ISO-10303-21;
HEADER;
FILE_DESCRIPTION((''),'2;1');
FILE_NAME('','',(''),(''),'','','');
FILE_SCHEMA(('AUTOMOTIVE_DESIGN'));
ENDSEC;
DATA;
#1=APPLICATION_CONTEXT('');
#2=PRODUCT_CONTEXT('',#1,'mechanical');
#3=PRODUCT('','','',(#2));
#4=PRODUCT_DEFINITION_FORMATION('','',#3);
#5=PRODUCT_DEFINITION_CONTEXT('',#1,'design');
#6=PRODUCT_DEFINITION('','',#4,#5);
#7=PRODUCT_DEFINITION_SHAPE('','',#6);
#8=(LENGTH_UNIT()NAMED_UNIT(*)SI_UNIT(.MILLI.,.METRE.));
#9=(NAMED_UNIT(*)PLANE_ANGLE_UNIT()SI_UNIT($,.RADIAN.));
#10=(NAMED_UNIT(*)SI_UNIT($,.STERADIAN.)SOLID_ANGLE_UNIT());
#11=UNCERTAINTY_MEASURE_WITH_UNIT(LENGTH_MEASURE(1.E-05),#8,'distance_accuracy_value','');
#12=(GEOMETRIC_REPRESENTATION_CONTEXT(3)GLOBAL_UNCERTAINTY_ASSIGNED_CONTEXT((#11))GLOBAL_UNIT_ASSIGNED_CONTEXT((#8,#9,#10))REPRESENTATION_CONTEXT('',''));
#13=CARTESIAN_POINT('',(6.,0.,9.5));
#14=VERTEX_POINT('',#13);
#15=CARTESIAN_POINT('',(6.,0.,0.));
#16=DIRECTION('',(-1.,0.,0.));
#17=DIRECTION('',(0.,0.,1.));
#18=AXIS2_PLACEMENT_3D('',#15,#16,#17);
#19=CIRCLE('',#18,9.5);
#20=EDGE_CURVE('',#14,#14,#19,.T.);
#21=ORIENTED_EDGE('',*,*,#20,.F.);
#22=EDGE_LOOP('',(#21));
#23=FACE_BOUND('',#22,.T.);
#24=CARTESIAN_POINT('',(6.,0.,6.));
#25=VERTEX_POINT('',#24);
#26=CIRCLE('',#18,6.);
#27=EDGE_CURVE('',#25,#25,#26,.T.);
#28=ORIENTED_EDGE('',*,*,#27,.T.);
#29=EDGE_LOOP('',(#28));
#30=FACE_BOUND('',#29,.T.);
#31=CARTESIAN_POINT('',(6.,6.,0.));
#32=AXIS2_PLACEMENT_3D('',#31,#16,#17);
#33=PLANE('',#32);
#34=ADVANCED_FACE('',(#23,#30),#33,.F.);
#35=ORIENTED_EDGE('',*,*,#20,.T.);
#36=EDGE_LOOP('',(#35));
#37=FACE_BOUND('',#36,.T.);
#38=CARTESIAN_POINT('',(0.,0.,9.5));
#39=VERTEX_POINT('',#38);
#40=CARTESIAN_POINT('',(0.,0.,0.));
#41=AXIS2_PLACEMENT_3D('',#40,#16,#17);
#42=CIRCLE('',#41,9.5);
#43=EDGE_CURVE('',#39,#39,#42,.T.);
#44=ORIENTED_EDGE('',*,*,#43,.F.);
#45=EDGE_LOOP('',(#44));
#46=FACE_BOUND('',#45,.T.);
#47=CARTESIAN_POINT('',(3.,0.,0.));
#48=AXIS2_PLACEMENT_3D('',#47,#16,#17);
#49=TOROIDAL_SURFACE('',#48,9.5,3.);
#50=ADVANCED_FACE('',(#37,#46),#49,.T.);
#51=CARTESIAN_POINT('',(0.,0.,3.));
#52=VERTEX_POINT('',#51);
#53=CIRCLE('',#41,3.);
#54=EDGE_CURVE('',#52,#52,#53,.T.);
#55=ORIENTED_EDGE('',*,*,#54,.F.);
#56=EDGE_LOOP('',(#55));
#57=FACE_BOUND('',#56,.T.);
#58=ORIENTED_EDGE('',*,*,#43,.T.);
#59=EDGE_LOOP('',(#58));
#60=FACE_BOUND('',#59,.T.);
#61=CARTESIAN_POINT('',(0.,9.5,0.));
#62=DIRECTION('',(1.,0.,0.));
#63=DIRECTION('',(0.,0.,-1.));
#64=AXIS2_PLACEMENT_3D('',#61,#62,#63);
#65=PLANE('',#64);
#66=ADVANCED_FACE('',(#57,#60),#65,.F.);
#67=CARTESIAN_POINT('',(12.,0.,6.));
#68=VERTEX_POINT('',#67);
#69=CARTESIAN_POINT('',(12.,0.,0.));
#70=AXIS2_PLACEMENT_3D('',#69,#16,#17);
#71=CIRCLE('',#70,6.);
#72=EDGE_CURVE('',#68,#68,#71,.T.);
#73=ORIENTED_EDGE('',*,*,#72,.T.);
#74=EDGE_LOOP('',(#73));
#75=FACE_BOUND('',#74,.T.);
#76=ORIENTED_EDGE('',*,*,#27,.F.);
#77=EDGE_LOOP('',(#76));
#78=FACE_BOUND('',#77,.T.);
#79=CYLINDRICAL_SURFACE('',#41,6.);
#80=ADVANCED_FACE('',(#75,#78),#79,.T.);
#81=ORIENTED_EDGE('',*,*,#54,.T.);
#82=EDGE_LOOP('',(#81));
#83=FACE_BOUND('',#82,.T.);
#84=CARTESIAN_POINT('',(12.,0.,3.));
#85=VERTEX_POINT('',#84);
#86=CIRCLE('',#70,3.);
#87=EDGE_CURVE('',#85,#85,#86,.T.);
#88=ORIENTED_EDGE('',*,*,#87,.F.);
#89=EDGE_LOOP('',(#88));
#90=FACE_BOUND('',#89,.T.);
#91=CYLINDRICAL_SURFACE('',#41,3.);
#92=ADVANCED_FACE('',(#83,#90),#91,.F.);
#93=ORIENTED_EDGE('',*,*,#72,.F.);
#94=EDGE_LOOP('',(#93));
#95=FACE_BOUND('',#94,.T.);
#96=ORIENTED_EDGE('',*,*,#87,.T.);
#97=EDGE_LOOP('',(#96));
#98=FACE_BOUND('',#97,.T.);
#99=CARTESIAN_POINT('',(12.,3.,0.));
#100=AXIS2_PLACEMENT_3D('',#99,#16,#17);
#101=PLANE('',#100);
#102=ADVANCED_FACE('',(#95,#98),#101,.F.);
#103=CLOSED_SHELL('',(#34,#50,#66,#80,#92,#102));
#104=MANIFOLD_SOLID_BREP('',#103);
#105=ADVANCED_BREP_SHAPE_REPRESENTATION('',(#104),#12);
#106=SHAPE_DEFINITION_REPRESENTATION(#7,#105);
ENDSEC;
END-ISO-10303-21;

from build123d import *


with BuildPart() as part:
    # Эскиз1 → Повернуть1 (revolve)
    with BuildSketch(Plane.XY, mode=Mode.PRIVATE) as revolve_1_sk:
        with BuildLine():
            Line((0, 3), (12, 3))
            Line((12, 3), (12, 6))
            Line((12, 6), (6, 6))
            Line((6, 6), (6, 9.5))
            ThreePointArc((6, 9.5), (3, 12.5), (0, 9.5))
            Line((0, 9.5), (0, 3))
        make_face()
    revolve(revolve_1_sk.sketch.rotate(Axis((0, 0, 0), (1, 0, 0)), 90), axis=Axis((0, 0, 0), (1, 0, 0)))


solid = part.part
